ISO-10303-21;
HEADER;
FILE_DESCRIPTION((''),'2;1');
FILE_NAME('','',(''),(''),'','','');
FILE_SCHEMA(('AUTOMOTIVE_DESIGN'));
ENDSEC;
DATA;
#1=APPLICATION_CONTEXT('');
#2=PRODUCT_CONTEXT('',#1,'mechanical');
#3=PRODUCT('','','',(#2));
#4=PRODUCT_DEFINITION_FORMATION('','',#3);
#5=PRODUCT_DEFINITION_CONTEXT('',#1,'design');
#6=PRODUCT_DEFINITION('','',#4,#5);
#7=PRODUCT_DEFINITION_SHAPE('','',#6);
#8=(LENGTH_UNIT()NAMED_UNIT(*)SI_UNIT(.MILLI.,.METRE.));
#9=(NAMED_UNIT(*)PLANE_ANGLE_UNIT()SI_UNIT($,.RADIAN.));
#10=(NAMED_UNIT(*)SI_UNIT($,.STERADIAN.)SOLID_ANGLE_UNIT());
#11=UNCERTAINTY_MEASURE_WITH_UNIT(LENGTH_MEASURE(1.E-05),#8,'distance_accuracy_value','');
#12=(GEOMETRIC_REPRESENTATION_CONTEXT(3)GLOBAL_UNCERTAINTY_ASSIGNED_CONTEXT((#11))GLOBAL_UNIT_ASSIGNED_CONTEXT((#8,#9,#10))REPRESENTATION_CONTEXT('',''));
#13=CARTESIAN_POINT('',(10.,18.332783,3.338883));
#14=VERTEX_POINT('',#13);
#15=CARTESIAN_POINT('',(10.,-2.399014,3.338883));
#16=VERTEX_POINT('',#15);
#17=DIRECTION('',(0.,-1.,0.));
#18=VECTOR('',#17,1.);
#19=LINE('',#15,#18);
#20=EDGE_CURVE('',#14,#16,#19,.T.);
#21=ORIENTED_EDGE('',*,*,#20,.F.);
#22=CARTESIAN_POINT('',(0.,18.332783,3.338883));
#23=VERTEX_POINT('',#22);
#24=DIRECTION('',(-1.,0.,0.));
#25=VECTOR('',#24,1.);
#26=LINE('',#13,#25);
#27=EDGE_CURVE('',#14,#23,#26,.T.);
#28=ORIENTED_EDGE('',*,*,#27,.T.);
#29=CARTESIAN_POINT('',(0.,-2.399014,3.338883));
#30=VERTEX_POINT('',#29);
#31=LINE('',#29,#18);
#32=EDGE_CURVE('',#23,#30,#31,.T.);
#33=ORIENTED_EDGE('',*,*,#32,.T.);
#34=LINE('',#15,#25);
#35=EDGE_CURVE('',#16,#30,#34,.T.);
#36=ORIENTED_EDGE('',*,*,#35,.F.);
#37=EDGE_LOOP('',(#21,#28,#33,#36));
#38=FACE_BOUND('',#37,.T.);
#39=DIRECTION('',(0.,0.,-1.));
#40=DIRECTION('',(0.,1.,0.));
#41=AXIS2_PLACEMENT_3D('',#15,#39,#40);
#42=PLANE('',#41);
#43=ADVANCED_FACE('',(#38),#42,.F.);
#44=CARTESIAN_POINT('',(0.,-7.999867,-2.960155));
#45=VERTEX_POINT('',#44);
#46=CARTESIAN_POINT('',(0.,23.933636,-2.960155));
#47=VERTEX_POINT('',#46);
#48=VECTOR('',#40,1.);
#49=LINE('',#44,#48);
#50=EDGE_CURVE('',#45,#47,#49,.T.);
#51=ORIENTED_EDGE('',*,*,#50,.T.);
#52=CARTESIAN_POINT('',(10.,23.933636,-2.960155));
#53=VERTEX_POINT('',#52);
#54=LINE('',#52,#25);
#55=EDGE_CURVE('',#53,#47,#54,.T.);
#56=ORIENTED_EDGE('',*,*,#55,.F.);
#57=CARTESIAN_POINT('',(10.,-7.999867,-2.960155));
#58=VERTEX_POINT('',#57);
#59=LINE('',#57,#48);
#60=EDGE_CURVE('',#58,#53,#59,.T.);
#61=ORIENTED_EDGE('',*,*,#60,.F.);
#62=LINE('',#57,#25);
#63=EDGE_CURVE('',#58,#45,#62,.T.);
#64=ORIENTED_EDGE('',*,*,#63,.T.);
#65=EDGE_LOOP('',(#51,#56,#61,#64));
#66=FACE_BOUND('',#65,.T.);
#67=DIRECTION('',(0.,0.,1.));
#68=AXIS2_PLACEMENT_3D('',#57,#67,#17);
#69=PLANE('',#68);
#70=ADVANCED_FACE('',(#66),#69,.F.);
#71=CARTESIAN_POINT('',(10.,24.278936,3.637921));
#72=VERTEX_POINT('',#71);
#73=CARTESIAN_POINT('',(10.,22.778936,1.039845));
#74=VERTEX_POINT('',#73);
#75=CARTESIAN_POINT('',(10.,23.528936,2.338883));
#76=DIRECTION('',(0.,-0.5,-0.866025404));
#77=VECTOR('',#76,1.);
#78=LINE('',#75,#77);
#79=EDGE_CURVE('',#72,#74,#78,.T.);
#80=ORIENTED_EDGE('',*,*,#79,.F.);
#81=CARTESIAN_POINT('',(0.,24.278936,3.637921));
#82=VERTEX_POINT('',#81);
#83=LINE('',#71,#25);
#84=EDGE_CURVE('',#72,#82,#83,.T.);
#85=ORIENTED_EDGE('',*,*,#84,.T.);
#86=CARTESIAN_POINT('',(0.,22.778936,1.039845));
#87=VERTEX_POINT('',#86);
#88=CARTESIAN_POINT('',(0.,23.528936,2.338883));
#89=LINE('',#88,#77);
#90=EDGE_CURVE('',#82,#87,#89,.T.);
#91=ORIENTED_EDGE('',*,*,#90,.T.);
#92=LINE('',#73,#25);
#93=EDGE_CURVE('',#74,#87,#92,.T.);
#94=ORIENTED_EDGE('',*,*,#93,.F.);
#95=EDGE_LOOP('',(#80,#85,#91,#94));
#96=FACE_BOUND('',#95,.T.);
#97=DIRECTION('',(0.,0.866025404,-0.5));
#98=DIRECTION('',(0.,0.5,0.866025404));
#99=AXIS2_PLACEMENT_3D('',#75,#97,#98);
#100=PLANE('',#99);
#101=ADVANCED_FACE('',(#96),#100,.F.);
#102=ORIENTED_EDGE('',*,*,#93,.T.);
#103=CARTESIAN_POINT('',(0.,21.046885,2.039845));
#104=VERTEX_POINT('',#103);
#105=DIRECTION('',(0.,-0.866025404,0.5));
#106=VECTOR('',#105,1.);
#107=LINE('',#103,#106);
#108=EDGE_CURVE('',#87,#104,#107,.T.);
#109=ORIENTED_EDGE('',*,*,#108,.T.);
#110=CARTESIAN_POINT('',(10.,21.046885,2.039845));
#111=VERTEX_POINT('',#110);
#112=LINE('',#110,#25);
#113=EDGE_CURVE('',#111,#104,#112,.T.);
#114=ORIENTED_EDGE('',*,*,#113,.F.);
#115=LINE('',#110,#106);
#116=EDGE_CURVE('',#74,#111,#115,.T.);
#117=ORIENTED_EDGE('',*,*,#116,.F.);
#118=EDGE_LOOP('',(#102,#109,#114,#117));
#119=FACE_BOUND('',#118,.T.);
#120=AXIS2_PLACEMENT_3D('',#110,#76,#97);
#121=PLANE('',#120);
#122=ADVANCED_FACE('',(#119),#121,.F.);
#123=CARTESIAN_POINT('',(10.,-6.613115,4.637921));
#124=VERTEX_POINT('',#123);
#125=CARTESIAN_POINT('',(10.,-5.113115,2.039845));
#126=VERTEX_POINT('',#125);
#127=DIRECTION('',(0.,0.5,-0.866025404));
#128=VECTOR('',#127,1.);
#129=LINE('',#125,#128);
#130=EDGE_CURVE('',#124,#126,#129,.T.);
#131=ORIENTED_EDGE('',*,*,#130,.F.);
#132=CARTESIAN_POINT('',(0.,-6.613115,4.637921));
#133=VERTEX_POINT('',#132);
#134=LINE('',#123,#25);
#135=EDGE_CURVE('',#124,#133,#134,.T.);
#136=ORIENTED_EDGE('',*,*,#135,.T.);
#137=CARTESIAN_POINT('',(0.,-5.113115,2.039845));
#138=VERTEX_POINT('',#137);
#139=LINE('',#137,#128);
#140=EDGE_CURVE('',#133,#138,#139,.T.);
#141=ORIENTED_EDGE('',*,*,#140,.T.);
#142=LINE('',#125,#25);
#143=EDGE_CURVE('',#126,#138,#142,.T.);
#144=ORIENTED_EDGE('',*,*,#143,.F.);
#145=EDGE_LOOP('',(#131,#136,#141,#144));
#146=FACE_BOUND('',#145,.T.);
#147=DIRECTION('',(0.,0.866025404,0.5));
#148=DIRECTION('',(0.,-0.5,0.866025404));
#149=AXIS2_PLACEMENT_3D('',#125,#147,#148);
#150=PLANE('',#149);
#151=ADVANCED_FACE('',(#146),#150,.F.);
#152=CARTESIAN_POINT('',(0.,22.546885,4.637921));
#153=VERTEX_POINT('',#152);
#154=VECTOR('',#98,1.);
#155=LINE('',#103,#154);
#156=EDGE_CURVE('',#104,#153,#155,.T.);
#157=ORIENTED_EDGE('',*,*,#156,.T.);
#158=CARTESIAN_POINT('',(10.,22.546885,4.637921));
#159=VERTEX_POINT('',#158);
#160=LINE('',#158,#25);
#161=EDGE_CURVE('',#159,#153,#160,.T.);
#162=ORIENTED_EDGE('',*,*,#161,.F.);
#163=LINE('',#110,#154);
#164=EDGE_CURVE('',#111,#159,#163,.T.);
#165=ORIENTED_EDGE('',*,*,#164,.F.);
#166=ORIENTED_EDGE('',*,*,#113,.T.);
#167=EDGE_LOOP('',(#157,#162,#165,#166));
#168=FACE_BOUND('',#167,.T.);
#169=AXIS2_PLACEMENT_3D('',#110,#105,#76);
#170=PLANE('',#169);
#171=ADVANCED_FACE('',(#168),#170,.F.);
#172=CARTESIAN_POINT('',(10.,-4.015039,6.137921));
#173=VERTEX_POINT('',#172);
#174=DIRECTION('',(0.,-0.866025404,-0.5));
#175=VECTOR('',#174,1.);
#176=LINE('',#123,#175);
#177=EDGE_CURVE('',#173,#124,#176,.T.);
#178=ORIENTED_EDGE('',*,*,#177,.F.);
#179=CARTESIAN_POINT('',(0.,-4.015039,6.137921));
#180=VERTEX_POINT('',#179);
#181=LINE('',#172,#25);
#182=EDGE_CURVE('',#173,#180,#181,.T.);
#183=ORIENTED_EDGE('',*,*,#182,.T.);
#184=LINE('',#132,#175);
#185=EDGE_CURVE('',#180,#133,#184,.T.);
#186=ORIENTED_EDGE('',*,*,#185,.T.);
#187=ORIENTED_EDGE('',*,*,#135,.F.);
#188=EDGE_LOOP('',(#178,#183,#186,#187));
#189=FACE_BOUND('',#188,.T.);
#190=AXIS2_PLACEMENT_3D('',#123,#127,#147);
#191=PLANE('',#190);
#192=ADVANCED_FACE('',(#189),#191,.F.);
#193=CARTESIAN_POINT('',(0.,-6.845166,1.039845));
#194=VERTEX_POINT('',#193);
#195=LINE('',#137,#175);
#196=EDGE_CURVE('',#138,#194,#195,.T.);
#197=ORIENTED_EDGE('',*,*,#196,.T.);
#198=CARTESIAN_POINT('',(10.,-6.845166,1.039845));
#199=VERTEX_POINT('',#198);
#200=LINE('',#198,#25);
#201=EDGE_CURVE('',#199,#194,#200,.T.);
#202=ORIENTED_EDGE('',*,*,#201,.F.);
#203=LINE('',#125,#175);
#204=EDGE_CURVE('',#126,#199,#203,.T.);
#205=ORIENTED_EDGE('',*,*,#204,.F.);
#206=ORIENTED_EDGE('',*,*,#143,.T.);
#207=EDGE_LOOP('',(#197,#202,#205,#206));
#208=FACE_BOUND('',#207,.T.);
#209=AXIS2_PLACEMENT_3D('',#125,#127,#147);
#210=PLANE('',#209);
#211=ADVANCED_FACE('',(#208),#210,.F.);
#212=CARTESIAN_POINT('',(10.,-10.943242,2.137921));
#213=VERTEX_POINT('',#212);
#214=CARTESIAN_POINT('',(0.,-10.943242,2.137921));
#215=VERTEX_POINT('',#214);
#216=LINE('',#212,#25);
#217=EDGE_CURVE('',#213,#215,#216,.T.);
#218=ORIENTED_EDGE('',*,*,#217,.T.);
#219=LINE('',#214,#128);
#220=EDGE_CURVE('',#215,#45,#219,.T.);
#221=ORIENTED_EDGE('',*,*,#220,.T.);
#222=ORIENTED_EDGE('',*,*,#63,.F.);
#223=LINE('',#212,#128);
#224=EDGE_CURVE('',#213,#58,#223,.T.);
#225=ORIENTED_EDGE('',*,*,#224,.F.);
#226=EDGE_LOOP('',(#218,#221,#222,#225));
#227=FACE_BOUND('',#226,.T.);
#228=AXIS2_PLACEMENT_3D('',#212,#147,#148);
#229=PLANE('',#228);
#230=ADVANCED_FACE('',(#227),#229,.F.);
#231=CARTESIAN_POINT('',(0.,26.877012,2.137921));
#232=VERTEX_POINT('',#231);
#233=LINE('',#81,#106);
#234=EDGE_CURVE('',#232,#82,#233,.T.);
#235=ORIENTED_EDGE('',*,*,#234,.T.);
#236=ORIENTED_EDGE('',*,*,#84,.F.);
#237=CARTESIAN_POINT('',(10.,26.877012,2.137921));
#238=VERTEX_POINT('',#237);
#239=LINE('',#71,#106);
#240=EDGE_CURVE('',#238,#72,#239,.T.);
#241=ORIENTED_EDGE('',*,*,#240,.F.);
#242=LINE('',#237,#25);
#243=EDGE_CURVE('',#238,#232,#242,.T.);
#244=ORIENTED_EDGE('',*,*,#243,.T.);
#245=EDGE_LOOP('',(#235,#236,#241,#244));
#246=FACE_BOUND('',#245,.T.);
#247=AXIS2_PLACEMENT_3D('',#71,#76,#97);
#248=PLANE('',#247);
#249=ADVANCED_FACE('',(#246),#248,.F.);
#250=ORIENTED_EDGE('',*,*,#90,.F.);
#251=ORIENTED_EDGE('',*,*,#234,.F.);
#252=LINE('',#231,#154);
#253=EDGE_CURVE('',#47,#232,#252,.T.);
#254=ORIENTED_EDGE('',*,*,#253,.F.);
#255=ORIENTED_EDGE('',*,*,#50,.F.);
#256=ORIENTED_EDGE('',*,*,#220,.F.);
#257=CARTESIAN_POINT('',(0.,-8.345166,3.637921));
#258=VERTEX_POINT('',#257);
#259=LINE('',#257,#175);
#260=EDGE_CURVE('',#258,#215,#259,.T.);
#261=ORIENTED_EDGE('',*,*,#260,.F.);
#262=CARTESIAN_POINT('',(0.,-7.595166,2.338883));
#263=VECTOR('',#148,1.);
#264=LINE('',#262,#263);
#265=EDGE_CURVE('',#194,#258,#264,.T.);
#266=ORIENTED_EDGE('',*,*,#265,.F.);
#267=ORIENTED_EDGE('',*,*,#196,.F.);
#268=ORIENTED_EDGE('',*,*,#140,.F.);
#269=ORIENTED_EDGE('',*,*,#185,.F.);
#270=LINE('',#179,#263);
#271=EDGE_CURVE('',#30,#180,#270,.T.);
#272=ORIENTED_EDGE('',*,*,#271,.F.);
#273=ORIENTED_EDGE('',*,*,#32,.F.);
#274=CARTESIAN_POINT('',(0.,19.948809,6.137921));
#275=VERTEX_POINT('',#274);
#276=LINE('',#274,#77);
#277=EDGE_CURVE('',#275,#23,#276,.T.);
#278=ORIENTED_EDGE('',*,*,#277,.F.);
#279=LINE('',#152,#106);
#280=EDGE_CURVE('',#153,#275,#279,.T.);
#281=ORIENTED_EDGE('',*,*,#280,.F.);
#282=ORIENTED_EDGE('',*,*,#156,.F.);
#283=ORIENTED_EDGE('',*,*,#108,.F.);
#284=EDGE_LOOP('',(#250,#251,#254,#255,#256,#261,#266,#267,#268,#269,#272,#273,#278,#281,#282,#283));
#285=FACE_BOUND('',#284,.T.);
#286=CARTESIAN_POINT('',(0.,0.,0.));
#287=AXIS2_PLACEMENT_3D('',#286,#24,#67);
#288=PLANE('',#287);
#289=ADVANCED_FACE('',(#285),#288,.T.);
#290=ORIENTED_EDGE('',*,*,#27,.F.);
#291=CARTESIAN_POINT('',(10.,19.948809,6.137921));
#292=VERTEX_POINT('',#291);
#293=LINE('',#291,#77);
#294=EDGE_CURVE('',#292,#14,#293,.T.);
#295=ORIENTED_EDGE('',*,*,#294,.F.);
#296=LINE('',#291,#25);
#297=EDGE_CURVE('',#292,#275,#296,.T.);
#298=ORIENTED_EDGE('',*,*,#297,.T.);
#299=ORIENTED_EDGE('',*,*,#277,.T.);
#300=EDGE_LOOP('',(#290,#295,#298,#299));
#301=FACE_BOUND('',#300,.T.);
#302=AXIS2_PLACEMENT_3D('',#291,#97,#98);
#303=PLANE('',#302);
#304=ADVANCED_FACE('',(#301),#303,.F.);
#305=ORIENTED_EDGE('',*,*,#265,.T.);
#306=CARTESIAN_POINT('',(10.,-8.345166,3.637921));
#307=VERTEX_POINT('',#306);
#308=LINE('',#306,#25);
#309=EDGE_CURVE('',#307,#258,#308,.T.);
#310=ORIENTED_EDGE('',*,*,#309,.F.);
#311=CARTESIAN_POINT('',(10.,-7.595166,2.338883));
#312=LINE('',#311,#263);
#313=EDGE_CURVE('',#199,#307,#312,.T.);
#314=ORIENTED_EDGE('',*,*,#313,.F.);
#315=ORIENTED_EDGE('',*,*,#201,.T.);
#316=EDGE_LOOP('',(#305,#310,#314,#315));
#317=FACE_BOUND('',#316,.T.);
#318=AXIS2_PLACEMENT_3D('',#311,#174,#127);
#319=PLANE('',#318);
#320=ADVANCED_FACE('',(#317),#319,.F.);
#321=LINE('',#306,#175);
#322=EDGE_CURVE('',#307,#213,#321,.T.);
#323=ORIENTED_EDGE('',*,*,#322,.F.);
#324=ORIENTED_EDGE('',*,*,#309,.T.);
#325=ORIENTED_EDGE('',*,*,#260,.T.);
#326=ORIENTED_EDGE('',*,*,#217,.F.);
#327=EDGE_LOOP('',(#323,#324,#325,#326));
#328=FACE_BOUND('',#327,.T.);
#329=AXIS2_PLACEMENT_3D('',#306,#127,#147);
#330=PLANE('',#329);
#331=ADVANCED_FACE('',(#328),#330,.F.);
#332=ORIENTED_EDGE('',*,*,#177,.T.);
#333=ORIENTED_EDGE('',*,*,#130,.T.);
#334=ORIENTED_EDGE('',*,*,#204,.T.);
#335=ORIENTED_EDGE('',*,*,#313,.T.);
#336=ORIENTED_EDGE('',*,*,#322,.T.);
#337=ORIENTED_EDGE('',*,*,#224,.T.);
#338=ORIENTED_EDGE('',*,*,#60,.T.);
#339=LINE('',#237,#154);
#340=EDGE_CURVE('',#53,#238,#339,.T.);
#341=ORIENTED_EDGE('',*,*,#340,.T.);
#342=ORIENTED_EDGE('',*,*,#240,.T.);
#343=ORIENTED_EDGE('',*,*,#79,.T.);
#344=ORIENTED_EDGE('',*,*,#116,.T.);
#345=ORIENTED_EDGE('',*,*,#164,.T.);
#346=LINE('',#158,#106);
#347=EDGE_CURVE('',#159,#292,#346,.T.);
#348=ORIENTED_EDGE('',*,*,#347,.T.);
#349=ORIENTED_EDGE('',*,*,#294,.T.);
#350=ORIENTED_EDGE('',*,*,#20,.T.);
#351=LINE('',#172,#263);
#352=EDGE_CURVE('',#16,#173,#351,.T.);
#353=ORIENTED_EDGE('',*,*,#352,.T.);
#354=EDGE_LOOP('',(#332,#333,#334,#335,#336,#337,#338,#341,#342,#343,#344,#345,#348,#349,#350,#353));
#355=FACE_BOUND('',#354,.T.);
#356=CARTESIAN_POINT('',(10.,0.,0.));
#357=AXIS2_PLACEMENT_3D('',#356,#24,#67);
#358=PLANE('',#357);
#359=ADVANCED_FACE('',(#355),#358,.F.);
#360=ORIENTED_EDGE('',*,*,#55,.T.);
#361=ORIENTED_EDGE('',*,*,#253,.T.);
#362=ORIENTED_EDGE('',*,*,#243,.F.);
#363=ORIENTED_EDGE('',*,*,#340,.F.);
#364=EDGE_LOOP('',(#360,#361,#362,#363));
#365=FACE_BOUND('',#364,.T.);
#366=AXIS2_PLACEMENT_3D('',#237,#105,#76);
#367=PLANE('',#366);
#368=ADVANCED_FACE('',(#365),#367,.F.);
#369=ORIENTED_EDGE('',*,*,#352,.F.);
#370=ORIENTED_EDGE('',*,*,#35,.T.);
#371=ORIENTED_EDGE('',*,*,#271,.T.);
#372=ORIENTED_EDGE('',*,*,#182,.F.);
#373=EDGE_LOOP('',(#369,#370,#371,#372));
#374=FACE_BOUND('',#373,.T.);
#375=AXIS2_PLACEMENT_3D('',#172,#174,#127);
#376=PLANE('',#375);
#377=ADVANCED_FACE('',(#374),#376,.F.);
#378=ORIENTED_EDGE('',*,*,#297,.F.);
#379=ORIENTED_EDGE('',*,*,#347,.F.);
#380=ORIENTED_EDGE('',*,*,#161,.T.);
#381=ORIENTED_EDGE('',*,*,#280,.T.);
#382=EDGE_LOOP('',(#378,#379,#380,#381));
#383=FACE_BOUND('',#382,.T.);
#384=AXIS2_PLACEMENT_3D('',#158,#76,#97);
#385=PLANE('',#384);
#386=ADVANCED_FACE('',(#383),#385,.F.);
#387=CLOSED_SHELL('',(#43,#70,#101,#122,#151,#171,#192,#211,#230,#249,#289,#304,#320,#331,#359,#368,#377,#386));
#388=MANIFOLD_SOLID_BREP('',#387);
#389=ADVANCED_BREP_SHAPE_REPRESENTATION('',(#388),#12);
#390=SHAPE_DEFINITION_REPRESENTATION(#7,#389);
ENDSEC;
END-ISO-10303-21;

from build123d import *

# Parameters (mm, degrees)
EXTRUDE_1_DEPTH = 10


with BuildPart() as part:
    # Эскиз1 → Бобышка-Вытянуть1 (new body)
    with BuildSketch(Plane(origin=(0, 0, 0), x_dir=(0, 0, -1), z_dir=(1, 0, 0))):
        Polygon((-2.039845048, 21.046884737), (-4.637921259, 22.546884737), (-6.137921259, 19.948808526), (-3.338883154, 18.332783122), (-3.338883154, -2.399013647), (-6.137921259, -4.015039051), (-4.637921259, -6.613115263), (-2.039845048, -5.113115263), (-1.039845048, -6.84516607), (-2.338883154, -7.59516607), (-3.637921259, -8.34516607), (-2.137921259, -10.943242281), (2.960154952, -7.999866609), (2.960154952, 23.933636083), (-2.137921259, 26.877011756), (-3.637921259, 24.278935545), (-2.338883154, 23.528935545), (-1.039845048, 22.778935545), align=None)
    extrude(amount=EXTRUDE_1_DEPTH)


solid = part.part
